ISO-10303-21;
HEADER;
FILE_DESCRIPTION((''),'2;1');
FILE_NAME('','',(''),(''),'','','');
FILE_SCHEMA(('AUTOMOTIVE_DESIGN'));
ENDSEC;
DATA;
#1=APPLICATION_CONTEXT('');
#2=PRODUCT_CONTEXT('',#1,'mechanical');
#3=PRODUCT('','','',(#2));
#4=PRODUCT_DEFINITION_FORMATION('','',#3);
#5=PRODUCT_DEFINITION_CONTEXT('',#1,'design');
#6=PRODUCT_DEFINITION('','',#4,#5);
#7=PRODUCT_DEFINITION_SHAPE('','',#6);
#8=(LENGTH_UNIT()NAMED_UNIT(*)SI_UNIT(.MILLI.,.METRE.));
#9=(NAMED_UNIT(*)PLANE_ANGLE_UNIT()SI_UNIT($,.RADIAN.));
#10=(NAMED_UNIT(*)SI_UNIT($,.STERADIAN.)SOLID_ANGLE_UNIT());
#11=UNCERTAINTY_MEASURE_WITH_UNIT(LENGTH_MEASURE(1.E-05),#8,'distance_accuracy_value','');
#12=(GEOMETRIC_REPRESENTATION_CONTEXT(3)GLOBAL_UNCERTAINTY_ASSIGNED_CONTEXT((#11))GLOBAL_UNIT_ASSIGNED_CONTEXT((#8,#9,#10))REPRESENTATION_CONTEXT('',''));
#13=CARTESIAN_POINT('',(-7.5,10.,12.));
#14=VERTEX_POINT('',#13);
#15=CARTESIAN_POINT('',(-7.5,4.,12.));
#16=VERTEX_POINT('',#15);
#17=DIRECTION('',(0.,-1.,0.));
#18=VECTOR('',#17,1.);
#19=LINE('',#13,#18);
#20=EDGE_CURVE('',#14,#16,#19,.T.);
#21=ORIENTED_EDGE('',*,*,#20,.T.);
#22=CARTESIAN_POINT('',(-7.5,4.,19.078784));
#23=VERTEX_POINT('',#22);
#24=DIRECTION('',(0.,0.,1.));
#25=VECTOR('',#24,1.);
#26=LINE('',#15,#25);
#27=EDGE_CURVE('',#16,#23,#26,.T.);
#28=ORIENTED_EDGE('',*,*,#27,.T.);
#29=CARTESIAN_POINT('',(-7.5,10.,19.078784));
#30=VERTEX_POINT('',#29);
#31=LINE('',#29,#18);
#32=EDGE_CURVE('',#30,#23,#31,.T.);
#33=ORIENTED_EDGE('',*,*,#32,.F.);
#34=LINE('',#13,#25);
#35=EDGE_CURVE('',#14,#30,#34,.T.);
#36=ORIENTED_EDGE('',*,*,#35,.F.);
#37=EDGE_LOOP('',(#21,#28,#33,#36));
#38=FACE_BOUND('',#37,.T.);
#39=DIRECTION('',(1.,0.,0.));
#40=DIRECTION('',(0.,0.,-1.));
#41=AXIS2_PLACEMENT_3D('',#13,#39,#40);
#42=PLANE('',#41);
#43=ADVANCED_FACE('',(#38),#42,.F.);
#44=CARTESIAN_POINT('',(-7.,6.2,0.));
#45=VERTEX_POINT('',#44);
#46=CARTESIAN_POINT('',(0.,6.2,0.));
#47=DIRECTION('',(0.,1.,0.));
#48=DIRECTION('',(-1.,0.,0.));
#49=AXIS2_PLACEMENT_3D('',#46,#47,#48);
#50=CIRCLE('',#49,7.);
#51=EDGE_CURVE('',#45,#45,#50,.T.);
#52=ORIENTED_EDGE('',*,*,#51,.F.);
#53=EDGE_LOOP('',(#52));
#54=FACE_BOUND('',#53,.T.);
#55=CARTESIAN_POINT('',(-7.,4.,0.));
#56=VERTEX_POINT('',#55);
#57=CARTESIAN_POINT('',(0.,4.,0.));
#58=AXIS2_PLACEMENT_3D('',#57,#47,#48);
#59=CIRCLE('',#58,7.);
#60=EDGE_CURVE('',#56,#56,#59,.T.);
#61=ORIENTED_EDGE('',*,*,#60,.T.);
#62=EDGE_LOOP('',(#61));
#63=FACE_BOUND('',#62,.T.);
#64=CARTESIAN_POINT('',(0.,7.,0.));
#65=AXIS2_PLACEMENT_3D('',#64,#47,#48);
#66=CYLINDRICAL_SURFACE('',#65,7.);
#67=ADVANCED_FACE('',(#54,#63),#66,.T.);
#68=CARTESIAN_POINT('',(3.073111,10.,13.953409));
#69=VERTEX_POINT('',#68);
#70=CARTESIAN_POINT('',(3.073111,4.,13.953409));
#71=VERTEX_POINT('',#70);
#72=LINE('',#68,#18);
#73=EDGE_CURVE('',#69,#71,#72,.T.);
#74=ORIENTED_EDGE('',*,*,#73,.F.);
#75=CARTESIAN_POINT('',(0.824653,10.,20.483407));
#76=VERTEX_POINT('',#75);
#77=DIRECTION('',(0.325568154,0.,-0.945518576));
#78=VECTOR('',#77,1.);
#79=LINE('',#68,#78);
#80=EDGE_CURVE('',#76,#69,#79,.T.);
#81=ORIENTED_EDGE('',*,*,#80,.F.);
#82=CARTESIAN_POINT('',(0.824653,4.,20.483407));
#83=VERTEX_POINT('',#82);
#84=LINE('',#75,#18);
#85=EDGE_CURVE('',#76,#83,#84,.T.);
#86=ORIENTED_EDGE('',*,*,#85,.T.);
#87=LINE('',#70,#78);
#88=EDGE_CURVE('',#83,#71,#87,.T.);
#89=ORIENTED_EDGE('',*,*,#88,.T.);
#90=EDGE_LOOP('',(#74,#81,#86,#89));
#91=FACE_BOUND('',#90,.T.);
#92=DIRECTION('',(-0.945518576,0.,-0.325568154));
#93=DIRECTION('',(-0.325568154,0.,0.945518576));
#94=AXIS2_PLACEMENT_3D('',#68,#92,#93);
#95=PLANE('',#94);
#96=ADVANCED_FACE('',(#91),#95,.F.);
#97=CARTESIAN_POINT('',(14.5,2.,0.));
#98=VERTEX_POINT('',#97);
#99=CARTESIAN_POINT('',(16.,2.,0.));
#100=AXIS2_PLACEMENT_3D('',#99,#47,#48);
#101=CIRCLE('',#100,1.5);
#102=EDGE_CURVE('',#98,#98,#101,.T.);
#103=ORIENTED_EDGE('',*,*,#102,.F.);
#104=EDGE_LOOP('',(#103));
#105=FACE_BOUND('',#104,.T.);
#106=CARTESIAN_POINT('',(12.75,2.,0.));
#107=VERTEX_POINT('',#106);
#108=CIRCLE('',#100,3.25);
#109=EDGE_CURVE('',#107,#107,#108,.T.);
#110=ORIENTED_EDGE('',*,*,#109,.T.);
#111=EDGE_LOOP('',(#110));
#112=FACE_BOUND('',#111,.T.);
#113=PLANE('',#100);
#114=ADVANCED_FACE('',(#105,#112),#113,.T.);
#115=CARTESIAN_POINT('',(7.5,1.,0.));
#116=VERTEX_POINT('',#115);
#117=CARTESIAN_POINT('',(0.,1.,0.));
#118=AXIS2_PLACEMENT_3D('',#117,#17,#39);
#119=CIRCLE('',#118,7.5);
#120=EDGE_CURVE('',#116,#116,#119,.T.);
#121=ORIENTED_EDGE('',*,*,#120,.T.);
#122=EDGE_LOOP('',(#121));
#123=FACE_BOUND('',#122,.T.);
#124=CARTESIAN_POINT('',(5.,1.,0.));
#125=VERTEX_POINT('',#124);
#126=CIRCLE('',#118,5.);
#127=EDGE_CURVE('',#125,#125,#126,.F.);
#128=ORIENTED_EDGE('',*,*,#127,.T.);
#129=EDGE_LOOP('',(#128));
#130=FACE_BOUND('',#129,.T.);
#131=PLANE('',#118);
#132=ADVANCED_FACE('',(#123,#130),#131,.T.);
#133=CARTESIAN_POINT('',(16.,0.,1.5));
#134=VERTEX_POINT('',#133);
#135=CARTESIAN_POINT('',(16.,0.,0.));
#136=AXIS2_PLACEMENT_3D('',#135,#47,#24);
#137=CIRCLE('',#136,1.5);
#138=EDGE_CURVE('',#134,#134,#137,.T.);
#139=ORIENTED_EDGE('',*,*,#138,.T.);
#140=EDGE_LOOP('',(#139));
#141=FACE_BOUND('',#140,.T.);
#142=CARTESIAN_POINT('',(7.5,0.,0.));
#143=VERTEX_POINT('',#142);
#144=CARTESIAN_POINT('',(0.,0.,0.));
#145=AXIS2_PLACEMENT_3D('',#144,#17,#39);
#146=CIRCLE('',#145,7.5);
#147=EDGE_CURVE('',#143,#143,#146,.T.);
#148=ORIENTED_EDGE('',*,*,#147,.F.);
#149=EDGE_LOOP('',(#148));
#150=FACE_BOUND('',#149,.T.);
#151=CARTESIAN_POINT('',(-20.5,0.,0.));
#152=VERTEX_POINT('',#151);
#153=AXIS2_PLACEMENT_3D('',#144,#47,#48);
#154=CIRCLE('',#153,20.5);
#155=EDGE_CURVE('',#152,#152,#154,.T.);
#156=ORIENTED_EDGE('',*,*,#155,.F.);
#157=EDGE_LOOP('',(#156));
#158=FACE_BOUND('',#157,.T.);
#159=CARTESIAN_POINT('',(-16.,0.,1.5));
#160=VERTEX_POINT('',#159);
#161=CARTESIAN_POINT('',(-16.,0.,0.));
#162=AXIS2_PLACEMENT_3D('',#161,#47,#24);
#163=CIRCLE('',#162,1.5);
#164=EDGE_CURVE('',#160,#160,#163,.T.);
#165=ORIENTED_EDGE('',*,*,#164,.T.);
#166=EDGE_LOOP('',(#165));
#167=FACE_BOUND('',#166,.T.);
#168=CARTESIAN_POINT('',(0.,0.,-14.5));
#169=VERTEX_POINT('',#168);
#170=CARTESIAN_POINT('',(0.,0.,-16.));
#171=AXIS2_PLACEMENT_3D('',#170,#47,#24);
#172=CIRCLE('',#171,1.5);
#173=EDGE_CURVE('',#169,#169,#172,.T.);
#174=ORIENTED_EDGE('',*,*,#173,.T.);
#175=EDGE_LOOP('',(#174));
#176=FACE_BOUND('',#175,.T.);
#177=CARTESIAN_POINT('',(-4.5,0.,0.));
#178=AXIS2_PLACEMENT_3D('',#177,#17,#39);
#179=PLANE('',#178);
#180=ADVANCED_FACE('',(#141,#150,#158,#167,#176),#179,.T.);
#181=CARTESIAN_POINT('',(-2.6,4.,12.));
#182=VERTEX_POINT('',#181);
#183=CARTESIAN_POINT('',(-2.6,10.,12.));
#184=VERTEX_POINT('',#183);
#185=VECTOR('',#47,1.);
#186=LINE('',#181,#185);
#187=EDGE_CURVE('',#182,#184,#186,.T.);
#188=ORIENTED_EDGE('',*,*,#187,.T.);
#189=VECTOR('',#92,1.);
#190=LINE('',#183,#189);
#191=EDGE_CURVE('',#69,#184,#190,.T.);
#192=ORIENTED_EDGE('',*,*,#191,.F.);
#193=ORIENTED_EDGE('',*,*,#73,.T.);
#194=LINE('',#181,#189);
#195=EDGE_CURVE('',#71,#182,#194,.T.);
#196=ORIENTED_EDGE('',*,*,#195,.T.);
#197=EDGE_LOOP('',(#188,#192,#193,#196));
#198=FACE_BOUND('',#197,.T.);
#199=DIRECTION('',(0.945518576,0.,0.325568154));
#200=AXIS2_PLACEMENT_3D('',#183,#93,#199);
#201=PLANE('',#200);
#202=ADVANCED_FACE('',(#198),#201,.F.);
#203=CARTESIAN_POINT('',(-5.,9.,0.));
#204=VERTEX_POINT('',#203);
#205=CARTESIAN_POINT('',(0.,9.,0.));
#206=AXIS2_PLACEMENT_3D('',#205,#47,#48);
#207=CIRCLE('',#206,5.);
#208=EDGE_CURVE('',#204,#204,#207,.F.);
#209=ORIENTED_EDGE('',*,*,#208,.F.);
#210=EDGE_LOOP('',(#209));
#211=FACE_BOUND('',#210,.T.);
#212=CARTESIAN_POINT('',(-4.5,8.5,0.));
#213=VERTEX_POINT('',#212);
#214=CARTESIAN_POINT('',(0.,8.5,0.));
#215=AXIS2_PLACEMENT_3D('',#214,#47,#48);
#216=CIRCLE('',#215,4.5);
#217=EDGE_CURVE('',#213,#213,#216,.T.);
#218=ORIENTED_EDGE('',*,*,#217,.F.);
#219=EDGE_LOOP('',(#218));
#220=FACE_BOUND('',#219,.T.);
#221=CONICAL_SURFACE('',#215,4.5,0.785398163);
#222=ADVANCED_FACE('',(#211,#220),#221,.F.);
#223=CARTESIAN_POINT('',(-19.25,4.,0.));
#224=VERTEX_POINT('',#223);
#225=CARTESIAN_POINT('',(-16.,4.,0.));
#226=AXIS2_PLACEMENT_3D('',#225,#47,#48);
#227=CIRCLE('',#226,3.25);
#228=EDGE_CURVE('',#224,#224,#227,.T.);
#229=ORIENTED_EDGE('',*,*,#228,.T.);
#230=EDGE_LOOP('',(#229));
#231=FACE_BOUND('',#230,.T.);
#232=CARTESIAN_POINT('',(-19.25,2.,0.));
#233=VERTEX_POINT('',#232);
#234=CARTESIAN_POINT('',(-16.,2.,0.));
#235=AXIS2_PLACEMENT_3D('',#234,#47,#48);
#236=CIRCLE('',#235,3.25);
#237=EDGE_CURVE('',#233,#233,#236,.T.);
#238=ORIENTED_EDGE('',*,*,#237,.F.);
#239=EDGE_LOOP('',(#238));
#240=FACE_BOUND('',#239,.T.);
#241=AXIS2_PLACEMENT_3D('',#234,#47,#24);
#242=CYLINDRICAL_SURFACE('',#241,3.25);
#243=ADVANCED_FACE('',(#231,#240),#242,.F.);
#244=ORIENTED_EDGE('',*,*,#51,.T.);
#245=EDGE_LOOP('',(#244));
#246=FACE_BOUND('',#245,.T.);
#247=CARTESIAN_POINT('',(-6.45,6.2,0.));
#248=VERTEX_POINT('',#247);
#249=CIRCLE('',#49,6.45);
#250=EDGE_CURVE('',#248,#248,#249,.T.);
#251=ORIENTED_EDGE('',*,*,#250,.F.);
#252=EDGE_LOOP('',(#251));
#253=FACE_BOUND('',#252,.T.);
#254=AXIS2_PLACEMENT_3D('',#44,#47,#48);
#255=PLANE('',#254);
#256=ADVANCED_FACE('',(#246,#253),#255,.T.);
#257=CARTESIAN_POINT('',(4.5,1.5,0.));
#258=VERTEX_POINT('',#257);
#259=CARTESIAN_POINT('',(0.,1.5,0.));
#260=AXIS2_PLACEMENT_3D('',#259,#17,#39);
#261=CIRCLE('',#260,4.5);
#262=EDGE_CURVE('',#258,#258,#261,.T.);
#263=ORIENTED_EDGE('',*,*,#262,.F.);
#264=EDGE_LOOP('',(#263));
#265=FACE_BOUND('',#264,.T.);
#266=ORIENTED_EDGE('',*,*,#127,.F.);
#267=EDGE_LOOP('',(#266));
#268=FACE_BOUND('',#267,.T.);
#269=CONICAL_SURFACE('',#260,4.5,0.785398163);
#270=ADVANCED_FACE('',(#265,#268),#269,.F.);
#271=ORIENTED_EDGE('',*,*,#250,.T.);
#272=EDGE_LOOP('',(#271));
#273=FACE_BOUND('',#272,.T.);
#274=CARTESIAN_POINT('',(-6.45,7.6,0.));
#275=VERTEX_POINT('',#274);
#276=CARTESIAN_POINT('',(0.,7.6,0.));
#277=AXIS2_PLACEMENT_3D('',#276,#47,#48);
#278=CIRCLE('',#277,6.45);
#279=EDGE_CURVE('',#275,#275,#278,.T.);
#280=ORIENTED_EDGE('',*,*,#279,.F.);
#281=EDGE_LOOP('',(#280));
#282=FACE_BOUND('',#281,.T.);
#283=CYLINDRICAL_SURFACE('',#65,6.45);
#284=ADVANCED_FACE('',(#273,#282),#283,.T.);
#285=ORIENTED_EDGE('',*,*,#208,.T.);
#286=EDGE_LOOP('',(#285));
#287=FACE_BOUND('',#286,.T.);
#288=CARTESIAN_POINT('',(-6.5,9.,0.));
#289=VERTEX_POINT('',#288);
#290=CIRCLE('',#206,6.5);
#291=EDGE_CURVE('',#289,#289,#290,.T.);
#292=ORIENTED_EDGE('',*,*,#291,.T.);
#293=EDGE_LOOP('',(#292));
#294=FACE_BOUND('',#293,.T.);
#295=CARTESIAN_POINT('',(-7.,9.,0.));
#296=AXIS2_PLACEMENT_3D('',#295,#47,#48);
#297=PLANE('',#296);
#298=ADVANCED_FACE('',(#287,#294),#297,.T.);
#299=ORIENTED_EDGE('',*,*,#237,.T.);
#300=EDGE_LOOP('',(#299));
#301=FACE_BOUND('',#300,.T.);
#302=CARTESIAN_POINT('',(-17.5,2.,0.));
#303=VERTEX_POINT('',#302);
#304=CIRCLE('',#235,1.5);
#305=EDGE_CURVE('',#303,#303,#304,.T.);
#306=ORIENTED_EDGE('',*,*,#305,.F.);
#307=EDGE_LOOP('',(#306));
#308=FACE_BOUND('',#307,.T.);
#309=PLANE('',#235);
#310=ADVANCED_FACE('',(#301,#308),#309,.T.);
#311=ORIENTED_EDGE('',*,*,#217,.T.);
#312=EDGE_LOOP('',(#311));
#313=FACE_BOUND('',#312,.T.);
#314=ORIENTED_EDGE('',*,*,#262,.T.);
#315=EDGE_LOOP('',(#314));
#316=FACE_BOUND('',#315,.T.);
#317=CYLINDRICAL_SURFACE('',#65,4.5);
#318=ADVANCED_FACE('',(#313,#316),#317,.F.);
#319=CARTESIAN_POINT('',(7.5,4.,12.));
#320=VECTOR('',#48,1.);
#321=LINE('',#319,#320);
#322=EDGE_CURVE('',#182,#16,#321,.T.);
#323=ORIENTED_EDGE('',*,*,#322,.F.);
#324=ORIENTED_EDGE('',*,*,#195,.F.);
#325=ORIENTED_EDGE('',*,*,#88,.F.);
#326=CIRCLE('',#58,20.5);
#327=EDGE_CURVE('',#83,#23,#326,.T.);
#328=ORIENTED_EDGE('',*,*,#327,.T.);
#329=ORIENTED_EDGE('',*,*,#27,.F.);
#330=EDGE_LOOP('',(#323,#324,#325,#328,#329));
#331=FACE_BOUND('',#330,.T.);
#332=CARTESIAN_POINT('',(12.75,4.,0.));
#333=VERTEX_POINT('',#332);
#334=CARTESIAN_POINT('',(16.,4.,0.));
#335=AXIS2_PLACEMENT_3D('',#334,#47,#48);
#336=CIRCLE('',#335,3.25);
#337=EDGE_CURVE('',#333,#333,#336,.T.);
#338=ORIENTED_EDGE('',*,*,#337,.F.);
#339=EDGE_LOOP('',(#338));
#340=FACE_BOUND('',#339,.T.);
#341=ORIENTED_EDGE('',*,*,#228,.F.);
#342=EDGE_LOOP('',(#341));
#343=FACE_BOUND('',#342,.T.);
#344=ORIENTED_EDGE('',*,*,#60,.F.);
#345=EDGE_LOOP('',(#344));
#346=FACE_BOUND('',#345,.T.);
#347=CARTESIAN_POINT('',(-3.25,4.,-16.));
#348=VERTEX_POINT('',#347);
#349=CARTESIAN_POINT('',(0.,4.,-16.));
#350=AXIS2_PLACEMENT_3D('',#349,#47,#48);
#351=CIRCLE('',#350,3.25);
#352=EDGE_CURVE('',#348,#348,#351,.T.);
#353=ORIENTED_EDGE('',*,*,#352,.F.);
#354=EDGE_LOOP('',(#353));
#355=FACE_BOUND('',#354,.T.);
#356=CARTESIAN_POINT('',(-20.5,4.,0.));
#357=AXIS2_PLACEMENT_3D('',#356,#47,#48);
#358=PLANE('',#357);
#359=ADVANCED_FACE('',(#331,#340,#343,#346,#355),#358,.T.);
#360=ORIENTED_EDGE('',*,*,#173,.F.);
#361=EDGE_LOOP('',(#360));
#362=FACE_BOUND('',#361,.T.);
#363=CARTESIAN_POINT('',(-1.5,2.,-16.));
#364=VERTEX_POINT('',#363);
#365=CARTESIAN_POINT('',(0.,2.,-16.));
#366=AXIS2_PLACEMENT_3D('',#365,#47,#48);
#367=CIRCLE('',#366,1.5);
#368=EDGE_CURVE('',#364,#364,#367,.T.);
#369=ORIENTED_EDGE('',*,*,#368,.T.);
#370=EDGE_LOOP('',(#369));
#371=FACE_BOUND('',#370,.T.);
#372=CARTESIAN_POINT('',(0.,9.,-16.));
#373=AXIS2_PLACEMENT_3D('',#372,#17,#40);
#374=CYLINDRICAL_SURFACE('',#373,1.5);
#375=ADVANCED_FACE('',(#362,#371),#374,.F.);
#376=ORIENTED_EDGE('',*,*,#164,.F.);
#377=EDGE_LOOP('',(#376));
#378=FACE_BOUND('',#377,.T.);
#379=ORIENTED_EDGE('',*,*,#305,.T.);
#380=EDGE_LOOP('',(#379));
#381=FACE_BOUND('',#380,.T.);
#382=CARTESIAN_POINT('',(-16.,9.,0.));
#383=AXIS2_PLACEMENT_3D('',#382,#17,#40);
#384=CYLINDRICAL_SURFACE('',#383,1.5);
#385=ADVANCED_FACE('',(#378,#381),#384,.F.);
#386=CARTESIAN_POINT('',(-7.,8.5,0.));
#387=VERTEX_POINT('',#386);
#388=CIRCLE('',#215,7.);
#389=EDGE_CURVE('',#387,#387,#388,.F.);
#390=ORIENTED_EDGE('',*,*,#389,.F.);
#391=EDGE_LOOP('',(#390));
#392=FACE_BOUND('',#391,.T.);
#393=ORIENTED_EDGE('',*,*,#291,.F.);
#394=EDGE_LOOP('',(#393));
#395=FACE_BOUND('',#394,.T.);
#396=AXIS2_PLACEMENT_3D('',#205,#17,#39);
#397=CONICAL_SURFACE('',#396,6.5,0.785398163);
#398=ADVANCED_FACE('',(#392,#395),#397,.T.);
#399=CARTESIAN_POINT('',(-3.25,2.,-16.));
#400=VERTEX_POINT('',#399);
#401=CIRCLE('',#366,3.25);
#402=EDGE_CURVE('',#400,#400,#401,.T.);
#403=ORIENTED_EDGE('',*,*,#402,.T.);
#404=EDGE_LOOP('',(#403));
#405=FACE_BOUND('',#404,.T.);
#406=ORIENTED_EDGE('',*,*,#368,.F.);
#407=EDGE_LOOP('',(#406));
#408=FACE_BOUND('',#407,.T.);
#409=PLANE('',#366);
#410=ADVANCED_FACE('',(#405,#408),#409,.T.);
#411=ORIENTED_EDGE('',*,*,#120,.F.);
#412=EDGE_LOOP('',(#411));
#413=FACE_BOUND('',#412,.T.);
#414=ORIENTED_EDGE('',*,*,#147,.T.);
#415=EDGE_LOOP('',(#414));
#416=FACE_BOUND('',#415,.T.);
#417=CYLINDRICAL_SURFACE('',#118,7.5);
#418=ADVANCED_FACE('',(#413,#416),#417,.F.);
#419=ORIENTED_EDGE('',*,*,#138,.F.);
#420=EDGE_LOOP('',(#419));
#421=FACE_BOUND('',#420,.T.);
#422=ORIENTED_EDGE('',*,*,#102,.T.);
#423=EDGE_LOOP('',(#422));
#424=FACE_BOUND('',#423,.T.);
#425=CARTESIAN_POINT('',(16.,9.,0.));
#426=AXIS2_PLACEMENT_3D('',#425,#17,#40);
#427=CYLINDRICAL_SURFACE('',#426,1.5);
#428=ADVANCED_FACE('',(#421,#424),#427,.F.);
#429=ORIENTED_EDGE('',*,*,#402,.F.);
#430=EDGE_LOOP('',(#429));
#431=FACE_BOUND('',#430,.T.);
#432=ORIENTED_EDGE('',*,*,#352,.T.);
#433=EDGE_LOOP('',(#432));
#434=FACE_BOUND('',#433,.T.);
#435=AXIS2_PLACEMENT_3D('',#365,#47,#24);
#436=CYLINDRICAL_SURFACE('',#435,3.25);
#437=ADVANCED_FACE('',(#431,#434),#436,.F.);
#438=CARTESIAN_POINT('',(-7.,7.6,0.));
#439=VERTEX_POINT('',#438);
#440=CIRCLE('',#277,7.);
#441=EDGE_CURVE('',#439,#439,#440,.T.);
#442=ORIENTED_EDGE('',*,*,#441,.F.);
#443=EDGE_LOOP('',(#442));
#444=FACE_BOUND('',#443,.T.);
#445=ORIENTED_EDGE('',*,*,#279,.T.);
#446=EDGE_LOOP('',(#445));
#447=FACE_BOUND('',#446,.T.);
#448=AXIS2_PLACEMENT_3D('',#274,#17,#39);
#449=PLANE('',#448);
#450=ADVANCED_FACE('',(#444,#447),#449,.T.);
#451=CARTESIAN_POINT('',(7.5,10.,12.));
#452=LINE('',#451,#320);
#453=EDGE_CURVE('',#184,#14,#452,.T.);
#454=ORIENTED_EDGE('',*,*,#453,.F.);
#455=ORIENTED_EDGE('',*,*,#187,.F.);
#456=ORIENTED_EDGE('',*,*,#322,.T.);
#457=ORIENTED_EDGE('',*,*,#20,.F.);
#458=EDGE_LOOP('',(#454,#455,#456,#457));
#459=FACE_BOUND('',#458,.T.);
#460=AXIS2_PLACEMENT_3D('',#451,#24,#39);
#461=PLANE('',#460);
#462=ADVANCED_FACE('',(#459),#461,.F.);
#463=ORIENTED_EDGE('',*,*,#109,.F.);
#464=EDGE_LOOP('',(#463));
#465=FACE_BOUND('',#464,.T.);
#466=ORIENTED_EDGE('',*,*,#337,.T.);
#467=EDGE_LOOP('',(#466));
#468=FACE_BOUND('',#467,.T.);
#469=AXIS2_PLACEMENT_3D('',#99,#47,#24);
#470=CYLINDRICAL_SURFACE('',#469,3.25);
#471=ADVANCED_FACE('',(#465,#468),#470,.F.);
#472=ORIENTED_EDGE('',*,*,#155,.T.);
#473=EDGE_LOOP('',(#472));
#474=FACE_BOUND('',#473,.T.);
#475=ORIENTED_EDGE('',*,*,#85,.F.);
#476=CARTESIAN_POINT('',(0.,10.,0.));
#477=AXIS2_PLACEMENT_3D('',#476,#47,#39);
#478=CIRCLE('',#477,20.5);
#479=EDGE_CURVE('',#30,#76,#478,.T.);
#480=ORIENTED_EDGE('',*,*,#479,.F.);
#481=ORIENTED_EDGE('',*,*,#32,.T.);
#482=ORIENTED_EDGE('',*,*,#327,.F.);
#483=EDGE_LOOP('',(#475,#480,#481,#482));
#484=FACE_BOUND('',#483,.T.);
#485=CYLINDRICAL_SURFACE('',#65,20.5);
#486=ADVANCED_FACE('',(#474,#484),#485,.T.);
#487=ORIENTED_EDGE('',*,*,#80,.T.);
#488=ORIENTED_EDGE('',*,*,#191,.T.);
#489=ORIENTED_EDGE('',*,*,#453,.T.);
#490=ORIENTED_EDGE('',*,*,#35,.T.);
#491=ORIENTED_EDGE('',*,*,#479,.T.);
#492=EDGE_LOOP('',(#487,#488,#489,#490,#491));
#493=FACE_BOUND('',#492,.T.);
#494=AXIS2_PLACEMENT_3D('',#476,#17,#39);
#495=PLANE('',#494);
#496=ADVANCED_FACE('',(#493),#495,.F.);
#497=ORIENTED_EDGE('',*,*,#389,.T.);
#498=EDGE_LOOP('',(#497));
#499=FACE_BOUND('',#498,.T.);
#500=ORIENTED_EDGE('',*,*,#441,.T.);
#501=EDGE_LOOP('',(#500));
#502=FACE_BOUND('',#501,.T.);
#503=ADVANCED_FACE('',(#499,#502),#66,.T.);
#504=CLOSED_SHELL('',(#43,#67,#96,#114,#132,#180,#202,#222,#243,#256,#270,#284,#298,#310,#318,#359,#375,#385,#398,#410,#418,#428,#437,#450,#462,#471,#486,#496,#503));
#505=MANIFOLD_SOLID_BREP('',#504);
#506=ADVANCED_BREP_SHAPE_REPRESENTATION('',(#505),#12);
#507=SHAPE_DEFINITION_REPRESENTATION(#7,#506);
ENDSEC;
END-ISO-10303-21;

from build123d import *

# Parameters (mm, degrees)
SKETCH_2_R          = 1.5
CUT_EXTRUDE_1_DEPTH = 31.356218473
CUT_EXTRUDE_START   = 4
SKETCH_3_R          = 3.25
CUT_EXTRUDE_2_DEPTH = 2
EXTRUDE_START       = 6
EXTRUDE_1_DEPTH     = 6
SKETCH_5_R          = 7.5
CUT_EXTRUDE_3_DEPTH = 1
CHAMFER_1_SIZE      = 0.5
CHAMFER_2_SIZE      = 0.5
CUT_EXTRUDE_4_DEPTH = 6
EXTRUDE_2_DEPTH     = 6


with BuildPart() as part:
    # 草图1 → 旋转1 (revolve)
    with BuildSketch(Plane.XY):
        Polygon((-4.5, 0), (-20.5, 0), (-20.5, 4), (-7, 4), (-7, 6.2), (-6.45, 6.2), (-6.45, 7.6), (-7, 7.6), (-7, 9), (-4.5, 9), align=None)
    revolve(axis=Axis((0, 7, 0), (0, -1, 0)))

    # 草图2 → 切除-拉伸1 (cut, through all)
    with BuildSketch(Plane(origin=(0, 0, 0), x_dir=(1, 0, 0), z_dir=(0, 1, 0))):
        with Locations(Location((-16, 0, 0), (0, 0, 180))):
            Circle(SKETCH_2_R)
        with Locations(Location((0, 16, 0), (0, 0, 180))):
            Circle(SKETCH_2_R)
        with Locations(Location((16, 0, 0), (0, 0, 180))):
            Circle(SKETCH_2_R)
    extrude(amount=CUT_EXTRUDE_1_DEPTH, mode=Mode.SUBTRACT)

    # 草图3 → 切除-拉伸2 (cut)
    with BuildSketch(Plane(origin=(0, 0, 0), x_dir=(1, 0, 0), z_dir=(0, 1, 0)).offset(CUT_EXTRUDE_START)):
        with Locations(Location((-16, 0, 0), (0, 0, 180))):
            Circle(SKETCH_3_R)
        with Locations(Location((0, 16, 0), (0, 0, 180))):
            Circle(SKETCH_3_R)
        with Locations(Location((16, 0, 0), (0, 0, 180))):
            Circle(SKETCH_3_R)
    extrude(amount=-CUT_EXTRUDE_2_DEPTH, mode=Mode.SUBTRACT)

    # 草图4 → 凸台-拉伸1 (add)
    with BuildSketch(Plane(origin=(0, 4, 0), x_dir=(1, 0, 0), z_dir=(0, 1, 0)).offset(EXTRUDE_START)):
        with BuildLine():
            Line((7.5, -12), (-7.5, -12))
            Line((-7.5, -12), (-7.5, -19.078784028))
            ThreePointArc((-7.5, -19.078784028), (0, -20.5), (7.5, -19.078784028))
            Line((7.5, -19.078784028), (7.5, -12))
        make_face()
    extrude(amount=-EXTRUDE_1_DEPTH)

    # 草图5 → 切除-拉伸3 (cut)
    with BuildSketch(Plane.XZ):
        Circle(SKETCH_5_R)
    extrude(amount=-CUT_EXTRUDE_3_DEPTH, mode=Mode.SUBTRACT)

    # 倒角1
    chamfer_1_edges = [part.edges().sort_by_distance(p)[0] for p in [
        (4.5, 1, 0),
        (4.5, 9, 0),
    ]]
    chamfer(chamfer_1_edges, length=CHAMFER_1_SIZE)

    # 倒角2
    chamfer_2_edges = [part.edges().sort_by_distance(p)[0] for p in [
        (7, 9, 0),
    ]]
    chamfer(chamfer_2_edges, length=CHAMFER_2_SIZE)

    # 草图6 → 切除-拉伸4 (cut)
    with BuildSketch(Plane(origin=(0, 10, 0), x_dir=(1, 0, 0), z_dir=(0, 1, 0))):
        Polygon((1.967727288, -14.033683215), (-1.353682174, -21.493691009), (7.5, -20.908921831), (7.5, -12), (-2.6, -12), align=None)
    extrude(amount=-CUT_EXTRUDE_4_DEPTH, mode=Mode.SUBTRACT)

    # 草图7 → 凸台-拉伸2 (add)
    with BuildSketch(Plane(origin=(0, 4, 0), x_dir=(1, 0, 0), z_dir=(0, 1, 0)).offset(EXTRUDE_START)):
        with BuildLine():
            Line((-2.6, -12), (3.073111454, -13.953408927))
            Line((3.073111454, -13.953408927), (0.824652926, -20.483406639))
            ThreePointArc((0.824652926, -20.483406639), (-0.038915526, -20.499963063), (-0.902414897, -20.480128109))
            Line((-0.902414897, -20.480128109), (1.967727288, -14.033683215))
            Line((1.967727288, -14.033683215), (-2.6, -12))
        make_face()
    extrude(amount=-EXTRUDE_2_DEPTH)


solid = part.part
